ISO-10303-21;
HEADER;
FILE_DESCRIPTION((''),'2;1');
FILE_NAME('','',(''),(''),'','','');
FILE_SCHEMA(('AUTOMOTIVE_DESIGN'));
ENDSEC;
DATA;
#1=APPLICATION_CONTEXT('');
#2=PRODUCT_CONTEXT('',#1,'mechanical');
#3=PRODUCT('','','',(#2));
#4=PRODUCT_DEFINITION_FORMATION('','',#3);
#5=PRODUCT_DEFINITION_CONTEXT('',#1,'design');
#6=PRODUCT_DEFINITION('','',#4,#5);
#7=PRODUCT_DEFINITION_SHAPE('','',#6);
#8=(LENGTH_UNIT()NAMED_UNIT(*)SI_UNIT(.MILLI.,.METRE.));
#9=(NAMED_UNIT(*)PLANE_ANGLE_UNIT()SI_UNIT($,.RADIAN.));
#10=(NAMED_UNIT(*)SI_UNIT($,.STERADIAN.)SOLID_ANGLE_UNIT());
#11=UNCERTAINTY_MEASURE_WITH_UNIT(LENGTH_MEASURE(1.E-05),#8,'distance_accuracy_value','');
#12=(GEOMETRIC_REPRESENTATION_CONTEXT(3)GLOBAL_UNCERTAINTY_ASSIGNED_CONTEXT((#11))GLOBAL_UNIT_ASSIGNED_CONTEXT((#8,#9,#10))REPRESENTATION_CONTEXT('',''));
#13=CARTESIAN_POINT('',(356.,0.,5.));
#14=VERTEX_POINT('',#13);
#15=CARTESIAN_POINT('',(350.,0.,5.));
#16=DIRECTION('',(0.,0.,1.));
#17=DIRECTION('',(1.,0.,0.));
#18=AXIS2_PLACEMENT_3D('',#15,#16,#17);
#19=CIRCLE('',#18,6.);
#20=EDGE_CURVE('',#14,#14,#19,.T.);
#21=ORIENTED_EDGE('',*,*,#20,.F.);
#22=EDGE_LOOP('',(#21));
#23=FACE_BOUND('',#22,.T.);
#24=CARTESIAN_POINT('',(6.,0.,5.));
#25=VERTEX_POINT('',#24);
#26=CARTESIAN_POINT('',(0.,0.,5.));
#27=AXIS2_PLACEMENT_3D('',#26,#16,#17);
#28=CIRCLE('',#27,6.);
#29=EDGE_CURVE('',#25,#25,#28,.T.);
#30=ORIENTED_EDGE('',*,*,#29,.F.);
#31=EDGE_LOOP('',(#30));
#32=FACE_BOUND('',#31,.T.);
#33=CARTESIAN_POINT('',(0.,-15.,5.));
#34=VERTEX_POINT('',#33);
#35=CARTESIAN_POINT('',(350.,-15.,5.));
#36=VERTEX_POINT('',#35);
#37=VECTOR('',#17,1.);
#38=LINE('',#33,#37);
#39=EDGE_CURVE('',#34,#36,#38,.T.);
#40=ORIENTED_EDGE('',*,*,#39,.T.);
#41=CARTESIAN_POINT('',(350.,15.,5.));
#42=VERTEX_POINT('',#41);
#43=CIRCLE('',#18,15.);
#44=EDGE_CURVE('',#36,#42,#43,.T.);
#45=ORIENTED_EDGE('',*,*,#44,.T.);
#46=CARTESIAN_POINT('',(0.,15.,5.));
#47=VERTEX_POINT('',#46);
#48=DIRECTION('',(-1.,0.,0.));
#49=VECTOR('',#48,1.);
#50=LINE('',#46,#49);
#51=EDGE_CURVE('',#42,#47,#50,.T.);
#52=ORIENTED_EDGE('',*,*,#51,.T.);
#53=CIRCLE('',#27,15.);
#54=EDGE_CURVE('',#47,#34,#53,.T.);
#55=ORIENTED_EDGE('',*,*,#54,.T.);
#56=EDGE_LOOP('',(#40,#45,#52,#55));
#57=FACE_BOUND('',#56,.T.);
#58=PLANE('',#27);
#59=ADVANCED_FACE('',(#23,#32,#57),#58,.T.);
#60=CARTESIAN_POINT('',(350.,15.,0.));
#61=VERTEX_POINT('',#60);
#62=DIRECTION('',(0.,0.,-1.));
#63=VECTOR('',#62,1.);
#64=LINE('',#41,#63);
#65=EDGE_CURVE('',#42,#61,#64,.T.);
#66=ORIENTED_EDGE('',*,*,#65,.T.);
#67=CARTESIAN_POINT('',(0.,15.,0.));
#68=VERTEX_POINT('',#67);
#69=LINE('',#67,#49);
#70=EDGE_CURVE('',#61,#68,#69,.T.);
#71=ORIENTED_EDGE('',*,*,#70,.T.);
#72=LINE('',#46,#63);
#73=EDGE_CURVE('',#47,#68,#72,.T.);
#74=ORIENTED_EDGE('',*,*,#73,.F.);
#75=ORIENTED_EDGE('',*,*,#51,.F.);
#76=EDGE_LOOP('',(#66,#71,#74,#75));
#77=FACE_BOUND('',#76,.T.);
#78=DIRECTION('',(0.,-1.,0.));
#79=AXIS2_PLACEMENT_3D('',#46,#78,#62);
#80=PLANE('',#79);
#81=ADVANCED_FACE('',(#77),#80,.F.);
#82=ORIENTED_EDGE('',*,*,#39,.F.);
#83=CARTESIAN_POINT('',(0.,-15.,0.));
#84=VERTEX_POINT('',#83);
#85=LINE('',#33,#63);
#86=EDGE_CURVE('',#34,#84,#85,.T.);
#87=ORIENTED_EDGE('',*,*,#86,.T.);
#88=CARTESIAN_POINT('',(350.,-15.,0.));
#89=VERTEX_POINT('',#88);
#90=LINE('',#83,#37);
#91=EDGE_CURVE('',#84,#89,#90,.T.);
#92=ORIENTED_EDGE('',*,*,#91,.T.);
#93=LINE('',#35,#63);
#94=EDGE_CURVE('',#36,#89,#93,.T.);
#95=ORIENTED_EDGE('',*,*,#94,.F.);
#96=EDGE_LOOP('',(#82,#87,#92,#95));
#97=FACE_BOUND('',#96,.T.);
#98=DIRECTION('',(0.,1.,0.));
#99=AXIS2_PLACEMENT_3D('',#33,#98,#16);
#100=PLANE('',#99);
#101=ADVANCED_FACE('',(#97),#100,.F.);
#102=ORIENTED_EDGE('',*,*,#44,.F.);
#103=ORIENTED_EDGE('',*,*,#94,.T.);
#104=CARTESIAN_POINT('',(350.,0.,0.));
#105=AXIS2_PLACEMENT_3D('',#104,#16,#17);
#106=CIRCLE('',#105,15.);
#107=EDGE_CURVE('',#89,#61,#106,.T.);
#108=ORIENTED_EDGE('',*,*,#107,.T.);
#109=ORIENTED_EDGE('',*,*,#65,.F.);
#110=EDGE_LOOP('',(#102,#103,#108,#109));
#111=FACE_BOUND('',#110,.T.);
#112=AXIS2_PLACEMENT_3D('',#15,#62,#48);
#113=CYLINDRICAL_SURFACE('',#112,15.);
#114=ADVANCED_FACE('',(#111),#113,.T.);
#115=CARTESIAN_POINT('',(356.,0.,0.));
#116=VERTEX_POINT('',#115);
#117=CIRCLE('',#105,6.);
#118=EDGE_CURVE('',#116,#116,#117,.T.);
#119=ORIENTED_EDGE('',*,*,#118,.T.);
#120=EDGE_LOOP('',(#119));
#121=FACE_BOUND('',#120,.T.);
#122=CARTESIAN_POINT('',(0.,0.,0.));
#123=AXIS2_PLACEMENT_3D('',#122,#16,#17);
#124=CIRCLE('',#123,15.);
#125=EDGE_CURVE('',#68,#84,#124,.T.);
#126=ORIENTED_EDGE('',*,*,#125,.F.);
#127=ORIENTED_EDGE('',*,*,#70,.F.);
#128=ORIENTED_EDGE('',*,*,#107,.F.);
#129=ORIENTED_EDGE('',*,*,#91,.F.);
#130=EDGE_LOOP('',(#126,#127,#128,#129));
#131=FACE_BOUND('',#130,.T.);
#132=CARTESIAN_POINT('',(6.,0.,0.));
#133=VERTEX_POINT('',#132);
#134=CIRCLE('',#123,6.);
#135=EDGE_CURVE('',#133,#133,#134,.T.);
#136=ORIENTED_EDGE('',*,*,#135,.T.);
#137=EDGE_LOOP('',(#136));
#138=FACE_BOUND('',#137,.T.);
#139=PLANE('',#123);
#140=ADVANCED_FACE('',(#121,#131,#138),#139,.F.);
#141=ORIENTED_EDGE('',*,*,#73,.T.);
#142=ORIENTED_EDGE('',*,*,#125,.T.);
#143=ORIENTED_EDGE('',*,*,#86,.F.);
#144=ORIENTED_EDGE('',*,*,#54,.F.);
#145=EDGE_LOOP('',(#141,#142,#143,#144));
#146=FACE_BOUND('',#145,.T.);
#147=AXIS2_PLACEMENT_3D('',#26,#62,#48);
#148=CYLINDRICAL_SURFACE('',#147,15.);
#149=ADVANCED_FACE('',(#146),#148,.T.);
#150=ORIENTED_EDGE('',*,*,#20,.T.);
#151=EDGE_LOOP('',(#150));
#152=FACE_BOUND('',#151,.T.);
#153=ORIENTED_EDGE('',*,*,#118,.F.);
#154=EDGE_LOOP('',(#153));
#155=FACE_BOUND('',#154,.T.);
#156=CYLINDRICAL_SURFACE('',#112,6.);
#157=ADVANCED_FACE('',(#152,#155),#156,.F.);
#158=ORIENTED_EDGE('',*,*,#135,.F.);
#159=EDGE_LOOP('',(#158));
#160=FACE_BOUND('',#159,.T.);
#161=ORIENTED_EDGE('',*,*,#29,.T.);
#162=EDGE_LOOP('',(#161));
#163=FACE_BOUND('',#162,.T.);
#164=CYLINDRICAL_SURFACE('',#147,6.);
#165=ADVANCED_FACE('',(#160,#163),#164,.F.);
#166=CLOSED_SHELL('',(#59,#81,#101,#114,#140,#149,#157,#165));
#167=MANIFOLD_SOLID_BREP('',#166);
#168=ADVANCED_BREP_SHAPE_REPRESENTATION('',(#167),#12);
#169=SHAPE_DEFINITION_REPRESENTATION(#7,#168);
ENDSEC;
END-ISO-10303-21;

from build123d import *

# Parameters (mm, degrees)
SKETCH1_R           = 6
BOSS_EXTRUDE1_DEPTH = 5


with BuildPart() as part:
    # Sketch1 → Boss-Extrude1 (new body)
    with BuildSketch(Plane.XY):
        with BuildLine():
            Line((0, 15), (350, 15))
            ThreePointArc((350, 15), (365, 0), (350, -15))
            Line((350, -15), (0, -15))
            ThreePointArc((0, -15), (-15, 0), (0, 15))
        make_face()
        Circle(SKETCH1_R, mode=Mode.SUBTRACT)
        with Locations((350, 0)):
            Circle(SKETCH1_R, mode=Mode.SUBTRACT)
    extrude(amount=BOSS_EXTRUDE1_DEPTH)


solid = part.part
